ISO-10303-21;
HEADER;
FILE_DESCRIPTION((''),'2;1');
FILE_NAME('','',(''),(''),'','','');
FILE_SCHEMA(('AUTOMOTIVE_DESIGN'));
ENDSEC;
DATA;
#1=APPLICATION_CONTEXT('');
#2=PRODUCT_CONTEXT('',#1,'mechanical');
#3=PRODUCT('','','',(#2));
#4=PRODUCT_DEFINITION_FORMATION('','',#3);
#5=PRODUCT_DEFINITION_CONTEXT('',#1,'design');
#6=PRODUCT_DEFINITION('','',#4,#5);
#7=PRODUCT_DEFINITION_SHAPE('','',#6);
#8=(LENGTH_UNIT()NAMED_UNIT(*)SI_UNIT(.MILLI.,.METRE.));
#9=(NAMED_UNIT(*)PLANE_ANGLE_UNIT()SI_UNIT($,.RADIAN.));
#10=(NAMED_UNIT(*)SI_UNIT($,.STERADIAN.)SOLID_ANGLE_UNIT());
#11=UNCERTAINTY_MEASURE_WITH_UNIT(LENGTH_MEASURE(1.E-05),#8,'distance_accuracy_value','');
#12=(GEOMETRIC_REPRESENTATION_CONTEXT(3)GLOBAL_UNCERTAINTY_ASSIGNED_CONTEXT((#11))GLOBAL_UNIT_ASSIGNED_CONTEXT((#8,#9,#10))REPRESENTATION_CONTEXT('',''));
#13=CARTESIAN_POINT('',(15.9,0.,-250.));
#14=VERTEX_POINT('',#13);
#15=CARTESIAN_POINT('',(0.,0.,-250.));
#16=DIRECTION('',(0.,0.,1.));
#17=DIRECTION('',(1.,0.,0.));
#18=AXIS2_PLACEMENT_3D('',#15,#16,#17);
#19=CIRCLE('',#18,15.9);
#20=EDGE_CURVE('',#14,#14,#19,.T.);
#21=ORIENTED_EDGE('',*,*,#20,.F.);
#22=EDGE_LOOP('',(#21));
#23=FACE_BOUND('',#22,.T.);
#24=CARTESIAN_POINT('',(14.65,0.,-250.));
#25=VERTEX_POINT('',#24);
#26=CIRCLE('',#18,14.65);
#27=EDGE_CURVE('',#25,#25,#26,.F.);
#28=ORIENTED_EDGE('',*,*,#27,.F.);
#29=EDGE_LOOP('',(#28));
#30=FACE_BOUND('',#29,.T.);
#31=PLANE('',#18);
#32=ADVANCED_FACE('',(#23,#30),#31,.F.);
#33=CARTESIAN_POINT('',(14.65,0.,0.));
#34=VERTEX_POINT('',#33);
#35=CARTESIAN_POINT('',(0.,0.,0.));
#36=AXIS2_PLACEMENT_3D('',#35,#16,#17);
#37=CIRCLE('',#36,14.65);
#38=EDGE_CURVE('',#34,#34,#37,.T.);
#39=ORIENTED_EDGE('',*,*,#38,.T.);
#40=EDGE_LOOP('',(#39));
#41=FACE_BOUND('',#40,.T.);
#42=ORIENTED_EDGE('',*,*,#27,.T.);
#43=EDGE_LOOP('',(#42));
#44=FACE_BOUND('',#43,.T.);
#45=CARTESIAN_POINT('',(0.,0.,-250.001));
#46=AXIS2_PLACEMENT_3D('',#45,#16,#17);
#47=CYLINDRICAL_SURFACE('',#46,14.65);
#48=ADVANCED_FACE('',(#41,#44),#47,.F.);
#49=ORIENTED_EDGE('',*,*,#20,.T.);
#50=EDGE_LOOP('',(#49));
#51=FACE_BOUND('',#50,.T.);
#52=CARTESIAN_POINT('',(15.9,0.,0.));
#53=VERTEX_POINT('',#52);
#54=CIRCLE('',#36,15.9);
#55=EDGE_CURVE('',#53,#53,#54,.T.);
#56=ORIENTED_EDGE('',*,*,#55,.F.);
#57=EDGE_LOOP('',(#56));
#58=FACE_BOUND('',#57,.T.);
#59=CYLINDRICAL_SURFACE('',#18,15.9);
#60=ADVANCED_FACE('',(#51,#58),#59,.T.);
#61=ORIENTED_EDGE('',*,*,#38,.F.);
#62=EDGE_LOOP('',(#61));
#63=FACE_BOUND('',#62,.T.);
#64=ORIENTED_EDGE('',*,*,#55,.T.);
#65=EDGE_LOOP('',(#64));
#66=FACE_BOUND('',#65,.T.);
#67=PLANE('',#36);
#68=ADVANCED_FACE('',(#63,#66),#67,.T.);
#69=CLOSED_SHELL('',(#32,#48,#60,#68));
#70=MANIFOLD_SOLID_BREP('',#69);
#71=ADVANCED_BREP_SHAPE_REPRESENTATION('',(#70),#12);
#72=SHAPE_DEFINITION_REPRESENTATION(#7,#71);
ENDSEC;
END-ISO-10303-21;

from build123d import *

# Parameters (mm, degrees)
SKETCH1_R           = 15.9
BOSS_EXTRUDE1_DEPTH = 250
CUT_EXTRUDE1_REACH  = 253.009
SKETCH2_R           = 14.65


with BuildPart() as part:
    # Sketch1 → Boss-Extrude1 (new body)
    with BuildSketch(Plane.XY):
        Circle(SKETCH1_R)
    extrude(amount=-BOSS_EXTRUDE1_DEPTH)

    # Sketch2 → Cut-Extrude1 (cut, up to next)
    with BuildSketch(Plane.XY, mode=Mode.PRIVATE) as cut_extrude1_sk1:
        Circle(SKETCH2_R)
    cut_extrude1_tool1 = extrude(cut_extrude1_sk1.sketch, amount=-CUT_EXTRUDE1_REACH, mode=Mode.PRIVATE) & part.part
    add(cut_extrude1_tool1.solids().sort_by_distance((0, 0, 0))[0], mode=Mode.SUBTRACT)


solid = part.part
